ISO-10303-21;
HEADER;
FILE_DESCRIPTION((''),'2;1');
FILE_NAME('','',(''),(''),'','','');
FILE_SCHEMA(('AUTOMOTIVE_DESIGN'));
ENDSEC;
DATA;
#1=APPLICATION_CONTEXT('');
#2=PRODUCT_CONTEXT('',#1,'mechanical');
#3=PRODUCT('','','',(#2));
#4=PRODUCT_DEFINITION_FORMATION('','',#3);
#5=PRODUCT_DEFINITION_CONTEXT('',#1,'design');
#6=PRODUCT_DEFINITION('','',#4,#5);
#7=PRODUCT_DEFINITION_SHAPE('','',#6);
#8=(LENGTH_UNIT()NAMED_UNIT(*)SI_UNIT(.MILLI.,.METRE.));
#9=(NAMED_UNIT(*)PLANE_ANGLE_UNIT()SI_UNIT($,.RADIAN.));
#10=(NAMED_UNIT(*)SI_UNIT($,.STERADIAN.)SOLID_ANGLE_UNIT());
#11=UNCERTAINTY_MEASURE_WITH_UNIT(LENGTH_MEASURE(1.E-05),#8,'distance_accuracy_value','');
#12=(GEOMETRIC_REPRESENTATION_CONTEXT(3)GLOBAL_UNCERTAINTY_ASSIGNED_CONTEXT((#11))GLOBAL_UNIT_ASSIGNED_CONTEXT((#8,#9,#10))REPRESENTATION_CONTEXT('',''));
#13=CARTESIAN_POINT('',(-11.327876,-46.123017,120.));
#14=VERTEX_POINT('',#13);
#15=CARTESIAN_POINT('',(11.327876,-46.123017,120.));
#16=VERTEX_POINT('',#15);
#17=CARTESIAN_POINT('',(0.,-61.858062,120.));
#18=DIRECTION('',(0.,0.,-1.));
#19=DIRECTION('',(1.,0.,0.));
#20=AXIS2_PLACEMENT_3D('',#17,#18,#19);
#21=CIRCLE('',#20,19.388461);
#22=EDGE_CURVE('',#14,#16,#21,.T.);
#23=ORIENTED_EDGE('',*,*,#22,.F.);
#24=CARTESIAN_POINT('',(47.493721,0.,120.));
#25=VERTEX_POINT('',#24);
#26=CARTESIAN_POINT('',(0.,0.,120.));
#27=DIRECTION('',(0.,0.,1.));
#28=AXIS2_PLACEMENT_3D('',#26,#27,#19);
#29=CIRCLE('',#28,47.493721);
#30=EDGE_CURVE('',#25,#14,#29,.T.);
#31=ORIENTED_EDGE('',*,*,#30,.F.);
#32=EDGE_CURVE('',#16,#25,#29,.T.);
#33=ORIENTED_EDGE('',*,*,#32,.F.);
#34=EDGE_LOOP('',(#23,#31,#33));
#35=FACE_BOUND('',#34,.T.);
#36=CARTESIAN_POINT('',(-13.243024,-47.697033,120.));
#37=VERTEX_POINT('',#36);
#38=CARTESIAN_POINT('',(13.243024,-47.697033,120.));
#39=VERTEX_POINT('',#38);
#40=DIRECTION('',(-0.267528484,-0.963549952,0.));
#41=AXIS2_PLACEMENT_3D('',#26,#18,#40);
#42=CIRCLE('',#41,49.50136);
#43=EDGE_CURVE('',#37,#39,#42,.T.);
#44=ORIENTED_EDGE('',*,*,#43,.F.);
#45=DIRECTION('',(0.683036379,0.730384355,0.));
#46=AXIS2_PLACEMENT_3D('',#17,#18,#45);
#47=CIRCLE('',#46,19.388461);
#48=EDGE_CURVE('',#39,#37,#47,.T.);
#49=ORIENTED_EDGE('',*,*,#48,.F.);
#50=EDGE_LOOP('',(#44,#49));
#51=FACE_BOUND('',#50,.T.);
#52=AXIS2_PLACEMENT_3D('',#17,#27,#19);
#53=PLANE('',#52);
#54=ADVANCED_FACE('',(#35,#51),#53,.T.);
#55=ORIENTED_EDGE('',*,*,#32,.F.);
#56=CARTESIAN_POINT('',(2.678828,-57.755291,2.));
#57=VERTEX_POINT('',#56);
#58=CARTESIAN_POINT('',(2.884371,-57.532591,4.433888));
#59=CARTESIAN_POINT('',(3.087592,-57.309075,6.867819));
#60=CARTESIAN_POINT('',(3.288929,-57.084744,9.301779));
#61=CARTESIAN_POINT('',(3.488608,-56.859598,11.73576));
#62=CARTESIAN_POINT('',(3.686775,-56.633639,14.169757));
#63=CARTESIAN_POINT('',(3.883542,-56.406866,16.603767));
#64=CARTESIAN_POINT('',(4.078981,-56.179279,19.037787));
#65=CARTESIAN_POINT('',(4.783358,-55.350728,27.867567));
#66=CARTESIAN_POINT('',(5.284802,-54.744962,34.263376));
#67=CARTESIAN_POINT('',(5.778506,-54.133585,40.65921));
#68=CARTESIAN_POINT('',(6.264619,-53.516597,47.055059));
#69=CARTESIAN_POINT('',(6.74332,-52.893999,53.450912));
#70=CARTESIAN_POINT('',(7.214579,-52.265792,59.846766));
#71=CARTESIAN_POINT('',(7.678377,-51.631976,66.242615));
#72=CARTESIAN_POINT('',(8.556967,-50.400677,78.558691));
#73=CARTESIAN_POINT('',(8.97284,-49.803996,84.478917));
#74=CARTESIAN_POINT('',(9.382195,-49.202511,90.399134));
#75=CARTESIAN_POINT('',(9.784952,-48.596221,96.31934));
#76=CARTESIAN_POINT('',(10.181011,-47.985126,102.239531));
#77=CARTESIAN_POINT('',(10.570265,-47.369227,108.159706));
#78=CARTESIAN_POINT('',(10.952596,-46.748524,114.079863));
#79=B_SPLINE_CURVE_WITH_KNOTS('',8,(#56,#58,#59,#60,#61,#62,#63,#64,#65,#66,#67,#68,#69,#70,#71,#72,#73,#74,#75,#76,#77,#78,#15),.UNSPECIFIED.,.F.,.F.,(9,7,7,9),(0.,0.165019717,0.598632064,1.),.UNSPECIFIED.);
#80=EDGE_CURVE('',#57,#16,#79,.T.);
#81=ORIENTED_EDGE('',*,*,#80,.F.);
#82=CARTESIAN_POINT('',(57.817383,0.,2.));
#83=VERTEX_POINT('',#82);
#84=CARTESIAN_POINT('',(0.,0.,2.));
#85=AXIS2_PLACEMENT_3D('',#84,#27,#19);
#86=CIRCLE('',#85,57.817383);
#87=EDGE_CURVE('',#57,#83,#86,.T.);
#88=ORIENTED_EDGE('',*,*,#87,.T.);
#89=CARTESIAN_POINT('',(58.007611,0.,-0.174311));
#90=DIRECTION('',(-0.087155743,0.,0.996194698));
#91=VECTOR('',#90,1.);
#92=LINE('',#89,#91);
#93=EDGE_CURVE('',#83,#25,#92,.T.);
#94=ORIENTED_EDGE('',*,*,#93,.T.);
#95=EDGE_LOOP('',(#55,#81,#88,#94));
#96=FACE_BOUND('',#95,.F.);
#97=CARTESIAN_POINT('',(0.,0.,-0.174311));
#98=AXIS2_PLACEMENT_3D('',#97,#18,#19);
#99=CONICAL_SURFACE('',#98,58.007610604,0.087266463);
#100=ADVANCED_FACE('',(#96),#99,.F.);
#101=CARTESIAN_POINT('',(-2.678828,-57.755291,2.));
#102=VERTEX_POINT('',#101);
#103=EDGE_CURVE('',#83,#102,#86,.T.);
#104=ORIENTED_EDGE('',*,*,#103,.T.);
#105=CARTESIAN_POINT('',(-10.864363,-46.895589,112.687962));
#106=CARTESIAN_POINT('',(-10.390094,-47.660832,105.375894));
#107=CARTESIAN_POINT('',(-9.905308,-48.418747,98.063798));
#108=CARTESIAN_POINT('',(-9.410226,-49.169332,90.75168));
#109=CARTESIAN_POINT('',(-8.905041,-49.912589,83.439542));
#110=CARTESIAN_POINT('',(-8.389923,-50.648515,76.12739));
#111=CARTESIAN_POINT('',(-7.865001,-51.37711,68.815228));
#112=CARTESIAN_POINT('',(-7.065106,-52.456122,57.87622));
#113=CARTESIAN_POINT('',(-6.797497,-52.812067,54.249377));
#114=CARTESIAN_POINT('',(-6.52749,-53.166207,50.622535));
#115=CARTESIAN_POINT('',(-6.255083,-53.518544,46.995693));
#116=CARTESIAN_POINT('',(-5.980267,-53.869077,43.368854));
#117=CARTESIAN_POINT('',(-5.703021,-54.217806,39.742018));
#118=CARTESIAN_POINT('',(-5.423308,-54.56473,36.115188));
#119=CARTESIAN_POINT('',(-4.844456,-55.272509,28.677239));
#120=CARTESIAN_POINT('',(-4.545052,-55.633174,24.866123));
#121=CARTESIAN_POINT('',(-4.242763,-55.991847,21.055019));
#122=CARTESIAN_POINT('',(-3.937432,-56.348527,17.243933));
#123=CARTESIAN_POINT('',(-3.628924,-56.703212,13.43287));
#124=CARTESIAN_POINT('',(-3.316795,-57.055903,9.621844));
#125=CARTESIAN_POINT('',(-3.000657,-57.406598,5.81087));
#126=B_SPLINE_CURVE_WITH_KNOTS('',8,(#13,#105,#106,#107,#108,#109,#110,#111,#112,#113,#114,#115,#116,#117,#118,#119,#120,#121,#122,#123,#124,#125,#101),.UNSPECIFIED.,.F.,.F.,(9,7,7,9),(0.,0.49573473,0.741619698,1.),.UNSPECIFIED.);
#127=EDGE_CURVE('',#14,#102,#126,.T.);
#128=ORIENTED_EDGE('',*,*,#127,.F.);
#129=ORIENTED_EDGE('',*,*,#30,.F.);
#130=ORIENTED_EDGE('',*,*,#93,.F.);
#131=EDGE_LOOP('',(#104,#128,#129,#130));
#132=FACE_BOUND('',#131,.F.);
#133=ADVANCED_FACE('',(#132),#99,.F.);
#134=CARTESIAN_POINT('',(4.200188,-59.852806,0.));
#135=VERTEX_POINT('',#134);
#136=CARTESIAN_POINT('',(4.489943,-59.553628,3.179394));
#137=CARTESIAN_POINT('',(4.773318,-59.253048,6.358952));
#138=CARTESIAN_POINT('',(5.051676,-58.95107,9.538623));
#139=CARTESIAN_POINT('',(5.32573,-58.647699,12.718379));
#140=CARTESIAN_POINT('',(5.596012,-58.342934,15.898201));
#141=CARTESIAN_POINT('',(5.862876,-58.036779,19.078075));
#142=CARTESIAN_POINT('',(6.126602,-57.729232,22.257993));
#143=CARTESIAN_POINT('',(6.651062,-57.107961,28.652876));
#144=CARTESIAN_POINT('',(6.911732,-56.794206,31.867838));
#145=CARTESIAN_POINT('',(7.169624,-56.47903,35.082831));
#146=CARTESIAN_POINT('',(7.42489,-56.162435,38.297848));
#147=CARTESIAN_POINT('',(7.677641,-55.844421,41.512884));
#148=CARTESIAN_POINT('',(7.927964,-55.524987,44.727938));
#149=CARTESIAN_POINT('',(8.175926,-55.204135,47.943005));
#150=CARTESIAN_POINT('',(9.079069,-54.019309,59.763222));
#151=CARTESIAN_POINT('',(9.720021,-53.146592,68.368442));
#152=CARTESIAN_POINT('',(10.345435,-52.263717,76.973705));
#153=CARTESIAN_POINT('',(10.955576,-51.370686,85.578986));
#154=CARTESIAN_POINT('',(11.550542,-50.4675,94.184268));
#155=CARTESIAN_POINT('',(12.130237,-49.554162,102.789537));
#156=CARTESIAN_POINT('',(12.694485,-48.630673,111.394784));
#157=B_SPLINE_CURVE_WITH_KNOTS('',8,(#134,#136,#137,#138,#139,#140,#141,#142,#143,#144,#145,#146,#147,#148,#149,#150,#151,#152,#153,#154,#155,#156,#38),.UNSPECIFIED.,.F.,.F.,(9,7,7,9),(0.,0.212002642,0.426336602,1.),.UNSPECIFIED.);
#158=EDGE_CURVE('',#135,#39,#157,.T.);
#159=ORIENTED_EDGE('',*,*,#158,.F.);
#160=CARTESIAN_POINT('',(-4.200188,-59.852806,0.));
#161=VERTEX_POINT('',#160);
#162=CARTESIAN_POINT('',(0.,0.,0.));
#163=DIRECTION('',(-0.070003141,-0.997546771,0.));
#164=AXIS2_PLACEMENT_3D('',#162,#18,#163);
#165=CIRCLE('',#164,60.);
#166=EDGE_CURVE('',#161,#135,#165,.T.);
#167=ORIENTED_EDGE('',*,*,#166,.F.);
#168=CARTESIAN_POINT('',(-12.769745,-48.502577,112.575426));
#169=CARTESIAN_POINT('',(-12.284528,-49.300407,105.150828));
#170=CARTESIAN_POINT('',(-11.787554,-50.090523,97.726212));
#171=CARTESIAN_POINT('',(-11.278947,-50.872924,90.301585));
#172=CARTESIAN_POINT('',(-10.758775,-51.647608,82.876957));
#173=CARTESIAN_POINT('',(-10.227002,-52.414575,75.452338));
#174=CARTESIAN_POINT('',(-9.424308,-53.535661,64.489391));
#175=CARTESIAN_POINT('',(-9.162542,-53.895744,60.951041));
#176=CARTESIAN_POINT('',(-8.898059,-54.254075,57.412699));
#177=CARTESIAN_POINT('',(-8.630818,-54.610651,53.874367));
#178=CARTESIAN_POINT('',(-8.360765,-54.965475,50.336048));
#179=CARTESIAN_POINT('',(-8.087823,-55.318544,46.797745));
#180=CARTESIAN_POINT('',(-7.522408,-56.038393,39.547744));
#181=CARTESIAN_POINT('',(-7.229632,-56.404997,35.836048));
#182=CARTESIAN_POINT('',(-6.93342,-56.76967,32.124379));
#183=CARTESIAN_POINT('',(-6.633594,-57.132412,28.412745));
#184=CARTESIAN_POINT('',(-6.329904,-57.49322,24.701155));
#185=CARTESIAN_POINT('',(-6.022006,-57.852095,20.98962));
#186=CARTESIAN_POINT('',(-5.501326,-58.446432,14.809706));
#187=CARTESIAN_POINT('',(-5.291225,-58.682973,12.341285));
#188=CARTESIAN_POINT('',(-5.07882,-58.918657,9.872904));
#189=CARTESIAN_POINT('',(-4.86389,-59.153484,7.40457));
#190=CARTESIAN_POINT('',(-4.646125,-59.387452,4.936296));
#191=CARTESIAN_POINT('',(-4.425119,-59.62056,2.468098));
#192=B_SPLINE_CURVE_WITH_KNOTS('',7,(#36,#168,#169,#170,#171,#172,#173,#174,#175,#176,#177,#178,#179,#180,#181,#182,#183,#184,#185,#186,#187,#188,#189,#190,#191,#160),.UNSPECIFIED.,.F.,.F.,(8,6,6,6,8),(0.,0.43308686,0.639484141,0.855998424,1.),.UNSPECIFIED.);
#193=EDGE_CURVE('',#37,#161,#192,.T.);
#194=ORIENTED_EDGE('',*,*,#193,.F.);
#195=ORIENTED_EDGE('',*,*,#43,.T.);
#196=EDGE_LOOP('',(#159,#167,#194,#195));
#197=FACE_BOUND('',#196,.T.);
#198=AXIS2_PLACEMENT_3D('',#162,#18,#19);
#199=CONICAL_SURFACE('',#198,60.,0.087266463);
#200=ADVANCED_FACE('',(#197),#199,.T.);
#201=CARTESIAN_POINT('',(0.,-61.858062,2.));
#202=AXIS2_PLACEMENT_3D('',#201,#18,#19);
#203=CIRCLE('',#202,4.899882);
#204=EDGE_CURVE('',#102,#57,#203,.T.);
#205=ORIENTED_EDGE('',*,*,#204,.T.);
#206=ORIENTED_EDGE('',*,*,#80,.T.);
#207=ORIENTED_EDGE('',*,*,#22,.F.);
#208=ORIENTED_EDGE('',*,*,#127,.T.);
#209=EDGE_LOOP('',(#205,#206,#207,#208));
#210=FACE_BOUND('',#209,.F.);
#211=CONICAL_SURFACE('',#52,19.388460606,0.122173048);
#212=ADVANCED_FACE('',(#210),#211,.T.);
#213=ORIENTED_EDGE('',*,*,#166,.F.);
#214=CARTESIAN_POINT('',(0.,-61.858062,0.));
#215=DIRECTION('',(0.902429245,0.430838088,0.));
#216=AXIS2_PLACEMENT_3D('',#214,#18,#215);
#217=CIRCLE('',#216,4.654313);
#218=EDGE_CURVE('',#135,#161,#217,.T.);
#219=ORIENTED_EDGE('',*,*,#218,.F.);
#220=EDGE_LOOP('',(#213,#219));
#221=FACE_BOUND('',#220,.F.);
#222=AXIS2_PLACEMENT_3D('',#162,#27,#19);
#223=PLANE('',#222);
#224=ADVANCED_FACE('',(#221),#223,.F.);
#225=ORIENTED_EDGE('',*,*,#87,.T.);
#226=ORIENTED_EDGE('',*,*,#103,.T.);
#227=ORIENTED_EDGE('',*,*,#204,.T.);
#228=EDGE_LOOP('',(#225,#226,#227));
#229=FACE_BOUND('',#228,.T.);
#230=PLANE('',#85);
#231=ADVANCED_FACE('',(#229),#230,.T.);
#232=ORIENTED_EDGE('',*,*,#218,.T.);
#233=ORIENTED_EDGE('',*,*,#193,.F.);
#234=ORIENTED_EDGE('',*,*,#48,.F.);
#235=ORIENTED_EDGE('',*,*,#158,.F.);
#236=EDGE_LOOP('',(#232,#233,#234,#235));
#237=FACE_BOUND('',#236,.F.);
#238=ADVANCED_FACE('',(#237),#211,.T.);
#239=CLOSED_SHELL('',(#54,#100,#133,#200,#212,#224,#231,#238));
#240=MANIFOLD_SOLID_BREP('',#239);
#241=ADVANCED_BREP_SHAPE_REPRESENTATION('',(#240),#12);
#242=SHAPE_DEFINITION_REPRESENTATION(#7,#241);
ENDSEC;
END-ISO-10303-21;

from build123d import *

# Parameters (mm, degrees)
F0_R     = 60
F1_DEPTH = 120
F1_TAPER = 5
F2_T     = -2
F4_R     = 19.3884606064
F5_DEPTH = 120
F5_TAPER = 7


with BuildPart() as f1:
    # F0 (on Top) → F1 (new body)
    with BuildSketch(Plane.XY):
        Circle(F0_R)
    extrude(amount=F1_DEPTH, taper=F1_TAPER)

    # F2
    f2_openings = [f1.faces().sort_by_distance(p)[0] for p in [
        (0, 0, 120),
    ]]
    offset(amount=F2_T, openings=f2_openings)

    # F4 (on offset) → F5 (join, through all)
    with BuildSketch(Plane.XY.offset(120)):
        with Locations((0, -61.8580617011)):
            Circle(F4_R)
    extrude(amount=-F5_DEPTH, taper=F5_TAPER)


solid = f1.part
